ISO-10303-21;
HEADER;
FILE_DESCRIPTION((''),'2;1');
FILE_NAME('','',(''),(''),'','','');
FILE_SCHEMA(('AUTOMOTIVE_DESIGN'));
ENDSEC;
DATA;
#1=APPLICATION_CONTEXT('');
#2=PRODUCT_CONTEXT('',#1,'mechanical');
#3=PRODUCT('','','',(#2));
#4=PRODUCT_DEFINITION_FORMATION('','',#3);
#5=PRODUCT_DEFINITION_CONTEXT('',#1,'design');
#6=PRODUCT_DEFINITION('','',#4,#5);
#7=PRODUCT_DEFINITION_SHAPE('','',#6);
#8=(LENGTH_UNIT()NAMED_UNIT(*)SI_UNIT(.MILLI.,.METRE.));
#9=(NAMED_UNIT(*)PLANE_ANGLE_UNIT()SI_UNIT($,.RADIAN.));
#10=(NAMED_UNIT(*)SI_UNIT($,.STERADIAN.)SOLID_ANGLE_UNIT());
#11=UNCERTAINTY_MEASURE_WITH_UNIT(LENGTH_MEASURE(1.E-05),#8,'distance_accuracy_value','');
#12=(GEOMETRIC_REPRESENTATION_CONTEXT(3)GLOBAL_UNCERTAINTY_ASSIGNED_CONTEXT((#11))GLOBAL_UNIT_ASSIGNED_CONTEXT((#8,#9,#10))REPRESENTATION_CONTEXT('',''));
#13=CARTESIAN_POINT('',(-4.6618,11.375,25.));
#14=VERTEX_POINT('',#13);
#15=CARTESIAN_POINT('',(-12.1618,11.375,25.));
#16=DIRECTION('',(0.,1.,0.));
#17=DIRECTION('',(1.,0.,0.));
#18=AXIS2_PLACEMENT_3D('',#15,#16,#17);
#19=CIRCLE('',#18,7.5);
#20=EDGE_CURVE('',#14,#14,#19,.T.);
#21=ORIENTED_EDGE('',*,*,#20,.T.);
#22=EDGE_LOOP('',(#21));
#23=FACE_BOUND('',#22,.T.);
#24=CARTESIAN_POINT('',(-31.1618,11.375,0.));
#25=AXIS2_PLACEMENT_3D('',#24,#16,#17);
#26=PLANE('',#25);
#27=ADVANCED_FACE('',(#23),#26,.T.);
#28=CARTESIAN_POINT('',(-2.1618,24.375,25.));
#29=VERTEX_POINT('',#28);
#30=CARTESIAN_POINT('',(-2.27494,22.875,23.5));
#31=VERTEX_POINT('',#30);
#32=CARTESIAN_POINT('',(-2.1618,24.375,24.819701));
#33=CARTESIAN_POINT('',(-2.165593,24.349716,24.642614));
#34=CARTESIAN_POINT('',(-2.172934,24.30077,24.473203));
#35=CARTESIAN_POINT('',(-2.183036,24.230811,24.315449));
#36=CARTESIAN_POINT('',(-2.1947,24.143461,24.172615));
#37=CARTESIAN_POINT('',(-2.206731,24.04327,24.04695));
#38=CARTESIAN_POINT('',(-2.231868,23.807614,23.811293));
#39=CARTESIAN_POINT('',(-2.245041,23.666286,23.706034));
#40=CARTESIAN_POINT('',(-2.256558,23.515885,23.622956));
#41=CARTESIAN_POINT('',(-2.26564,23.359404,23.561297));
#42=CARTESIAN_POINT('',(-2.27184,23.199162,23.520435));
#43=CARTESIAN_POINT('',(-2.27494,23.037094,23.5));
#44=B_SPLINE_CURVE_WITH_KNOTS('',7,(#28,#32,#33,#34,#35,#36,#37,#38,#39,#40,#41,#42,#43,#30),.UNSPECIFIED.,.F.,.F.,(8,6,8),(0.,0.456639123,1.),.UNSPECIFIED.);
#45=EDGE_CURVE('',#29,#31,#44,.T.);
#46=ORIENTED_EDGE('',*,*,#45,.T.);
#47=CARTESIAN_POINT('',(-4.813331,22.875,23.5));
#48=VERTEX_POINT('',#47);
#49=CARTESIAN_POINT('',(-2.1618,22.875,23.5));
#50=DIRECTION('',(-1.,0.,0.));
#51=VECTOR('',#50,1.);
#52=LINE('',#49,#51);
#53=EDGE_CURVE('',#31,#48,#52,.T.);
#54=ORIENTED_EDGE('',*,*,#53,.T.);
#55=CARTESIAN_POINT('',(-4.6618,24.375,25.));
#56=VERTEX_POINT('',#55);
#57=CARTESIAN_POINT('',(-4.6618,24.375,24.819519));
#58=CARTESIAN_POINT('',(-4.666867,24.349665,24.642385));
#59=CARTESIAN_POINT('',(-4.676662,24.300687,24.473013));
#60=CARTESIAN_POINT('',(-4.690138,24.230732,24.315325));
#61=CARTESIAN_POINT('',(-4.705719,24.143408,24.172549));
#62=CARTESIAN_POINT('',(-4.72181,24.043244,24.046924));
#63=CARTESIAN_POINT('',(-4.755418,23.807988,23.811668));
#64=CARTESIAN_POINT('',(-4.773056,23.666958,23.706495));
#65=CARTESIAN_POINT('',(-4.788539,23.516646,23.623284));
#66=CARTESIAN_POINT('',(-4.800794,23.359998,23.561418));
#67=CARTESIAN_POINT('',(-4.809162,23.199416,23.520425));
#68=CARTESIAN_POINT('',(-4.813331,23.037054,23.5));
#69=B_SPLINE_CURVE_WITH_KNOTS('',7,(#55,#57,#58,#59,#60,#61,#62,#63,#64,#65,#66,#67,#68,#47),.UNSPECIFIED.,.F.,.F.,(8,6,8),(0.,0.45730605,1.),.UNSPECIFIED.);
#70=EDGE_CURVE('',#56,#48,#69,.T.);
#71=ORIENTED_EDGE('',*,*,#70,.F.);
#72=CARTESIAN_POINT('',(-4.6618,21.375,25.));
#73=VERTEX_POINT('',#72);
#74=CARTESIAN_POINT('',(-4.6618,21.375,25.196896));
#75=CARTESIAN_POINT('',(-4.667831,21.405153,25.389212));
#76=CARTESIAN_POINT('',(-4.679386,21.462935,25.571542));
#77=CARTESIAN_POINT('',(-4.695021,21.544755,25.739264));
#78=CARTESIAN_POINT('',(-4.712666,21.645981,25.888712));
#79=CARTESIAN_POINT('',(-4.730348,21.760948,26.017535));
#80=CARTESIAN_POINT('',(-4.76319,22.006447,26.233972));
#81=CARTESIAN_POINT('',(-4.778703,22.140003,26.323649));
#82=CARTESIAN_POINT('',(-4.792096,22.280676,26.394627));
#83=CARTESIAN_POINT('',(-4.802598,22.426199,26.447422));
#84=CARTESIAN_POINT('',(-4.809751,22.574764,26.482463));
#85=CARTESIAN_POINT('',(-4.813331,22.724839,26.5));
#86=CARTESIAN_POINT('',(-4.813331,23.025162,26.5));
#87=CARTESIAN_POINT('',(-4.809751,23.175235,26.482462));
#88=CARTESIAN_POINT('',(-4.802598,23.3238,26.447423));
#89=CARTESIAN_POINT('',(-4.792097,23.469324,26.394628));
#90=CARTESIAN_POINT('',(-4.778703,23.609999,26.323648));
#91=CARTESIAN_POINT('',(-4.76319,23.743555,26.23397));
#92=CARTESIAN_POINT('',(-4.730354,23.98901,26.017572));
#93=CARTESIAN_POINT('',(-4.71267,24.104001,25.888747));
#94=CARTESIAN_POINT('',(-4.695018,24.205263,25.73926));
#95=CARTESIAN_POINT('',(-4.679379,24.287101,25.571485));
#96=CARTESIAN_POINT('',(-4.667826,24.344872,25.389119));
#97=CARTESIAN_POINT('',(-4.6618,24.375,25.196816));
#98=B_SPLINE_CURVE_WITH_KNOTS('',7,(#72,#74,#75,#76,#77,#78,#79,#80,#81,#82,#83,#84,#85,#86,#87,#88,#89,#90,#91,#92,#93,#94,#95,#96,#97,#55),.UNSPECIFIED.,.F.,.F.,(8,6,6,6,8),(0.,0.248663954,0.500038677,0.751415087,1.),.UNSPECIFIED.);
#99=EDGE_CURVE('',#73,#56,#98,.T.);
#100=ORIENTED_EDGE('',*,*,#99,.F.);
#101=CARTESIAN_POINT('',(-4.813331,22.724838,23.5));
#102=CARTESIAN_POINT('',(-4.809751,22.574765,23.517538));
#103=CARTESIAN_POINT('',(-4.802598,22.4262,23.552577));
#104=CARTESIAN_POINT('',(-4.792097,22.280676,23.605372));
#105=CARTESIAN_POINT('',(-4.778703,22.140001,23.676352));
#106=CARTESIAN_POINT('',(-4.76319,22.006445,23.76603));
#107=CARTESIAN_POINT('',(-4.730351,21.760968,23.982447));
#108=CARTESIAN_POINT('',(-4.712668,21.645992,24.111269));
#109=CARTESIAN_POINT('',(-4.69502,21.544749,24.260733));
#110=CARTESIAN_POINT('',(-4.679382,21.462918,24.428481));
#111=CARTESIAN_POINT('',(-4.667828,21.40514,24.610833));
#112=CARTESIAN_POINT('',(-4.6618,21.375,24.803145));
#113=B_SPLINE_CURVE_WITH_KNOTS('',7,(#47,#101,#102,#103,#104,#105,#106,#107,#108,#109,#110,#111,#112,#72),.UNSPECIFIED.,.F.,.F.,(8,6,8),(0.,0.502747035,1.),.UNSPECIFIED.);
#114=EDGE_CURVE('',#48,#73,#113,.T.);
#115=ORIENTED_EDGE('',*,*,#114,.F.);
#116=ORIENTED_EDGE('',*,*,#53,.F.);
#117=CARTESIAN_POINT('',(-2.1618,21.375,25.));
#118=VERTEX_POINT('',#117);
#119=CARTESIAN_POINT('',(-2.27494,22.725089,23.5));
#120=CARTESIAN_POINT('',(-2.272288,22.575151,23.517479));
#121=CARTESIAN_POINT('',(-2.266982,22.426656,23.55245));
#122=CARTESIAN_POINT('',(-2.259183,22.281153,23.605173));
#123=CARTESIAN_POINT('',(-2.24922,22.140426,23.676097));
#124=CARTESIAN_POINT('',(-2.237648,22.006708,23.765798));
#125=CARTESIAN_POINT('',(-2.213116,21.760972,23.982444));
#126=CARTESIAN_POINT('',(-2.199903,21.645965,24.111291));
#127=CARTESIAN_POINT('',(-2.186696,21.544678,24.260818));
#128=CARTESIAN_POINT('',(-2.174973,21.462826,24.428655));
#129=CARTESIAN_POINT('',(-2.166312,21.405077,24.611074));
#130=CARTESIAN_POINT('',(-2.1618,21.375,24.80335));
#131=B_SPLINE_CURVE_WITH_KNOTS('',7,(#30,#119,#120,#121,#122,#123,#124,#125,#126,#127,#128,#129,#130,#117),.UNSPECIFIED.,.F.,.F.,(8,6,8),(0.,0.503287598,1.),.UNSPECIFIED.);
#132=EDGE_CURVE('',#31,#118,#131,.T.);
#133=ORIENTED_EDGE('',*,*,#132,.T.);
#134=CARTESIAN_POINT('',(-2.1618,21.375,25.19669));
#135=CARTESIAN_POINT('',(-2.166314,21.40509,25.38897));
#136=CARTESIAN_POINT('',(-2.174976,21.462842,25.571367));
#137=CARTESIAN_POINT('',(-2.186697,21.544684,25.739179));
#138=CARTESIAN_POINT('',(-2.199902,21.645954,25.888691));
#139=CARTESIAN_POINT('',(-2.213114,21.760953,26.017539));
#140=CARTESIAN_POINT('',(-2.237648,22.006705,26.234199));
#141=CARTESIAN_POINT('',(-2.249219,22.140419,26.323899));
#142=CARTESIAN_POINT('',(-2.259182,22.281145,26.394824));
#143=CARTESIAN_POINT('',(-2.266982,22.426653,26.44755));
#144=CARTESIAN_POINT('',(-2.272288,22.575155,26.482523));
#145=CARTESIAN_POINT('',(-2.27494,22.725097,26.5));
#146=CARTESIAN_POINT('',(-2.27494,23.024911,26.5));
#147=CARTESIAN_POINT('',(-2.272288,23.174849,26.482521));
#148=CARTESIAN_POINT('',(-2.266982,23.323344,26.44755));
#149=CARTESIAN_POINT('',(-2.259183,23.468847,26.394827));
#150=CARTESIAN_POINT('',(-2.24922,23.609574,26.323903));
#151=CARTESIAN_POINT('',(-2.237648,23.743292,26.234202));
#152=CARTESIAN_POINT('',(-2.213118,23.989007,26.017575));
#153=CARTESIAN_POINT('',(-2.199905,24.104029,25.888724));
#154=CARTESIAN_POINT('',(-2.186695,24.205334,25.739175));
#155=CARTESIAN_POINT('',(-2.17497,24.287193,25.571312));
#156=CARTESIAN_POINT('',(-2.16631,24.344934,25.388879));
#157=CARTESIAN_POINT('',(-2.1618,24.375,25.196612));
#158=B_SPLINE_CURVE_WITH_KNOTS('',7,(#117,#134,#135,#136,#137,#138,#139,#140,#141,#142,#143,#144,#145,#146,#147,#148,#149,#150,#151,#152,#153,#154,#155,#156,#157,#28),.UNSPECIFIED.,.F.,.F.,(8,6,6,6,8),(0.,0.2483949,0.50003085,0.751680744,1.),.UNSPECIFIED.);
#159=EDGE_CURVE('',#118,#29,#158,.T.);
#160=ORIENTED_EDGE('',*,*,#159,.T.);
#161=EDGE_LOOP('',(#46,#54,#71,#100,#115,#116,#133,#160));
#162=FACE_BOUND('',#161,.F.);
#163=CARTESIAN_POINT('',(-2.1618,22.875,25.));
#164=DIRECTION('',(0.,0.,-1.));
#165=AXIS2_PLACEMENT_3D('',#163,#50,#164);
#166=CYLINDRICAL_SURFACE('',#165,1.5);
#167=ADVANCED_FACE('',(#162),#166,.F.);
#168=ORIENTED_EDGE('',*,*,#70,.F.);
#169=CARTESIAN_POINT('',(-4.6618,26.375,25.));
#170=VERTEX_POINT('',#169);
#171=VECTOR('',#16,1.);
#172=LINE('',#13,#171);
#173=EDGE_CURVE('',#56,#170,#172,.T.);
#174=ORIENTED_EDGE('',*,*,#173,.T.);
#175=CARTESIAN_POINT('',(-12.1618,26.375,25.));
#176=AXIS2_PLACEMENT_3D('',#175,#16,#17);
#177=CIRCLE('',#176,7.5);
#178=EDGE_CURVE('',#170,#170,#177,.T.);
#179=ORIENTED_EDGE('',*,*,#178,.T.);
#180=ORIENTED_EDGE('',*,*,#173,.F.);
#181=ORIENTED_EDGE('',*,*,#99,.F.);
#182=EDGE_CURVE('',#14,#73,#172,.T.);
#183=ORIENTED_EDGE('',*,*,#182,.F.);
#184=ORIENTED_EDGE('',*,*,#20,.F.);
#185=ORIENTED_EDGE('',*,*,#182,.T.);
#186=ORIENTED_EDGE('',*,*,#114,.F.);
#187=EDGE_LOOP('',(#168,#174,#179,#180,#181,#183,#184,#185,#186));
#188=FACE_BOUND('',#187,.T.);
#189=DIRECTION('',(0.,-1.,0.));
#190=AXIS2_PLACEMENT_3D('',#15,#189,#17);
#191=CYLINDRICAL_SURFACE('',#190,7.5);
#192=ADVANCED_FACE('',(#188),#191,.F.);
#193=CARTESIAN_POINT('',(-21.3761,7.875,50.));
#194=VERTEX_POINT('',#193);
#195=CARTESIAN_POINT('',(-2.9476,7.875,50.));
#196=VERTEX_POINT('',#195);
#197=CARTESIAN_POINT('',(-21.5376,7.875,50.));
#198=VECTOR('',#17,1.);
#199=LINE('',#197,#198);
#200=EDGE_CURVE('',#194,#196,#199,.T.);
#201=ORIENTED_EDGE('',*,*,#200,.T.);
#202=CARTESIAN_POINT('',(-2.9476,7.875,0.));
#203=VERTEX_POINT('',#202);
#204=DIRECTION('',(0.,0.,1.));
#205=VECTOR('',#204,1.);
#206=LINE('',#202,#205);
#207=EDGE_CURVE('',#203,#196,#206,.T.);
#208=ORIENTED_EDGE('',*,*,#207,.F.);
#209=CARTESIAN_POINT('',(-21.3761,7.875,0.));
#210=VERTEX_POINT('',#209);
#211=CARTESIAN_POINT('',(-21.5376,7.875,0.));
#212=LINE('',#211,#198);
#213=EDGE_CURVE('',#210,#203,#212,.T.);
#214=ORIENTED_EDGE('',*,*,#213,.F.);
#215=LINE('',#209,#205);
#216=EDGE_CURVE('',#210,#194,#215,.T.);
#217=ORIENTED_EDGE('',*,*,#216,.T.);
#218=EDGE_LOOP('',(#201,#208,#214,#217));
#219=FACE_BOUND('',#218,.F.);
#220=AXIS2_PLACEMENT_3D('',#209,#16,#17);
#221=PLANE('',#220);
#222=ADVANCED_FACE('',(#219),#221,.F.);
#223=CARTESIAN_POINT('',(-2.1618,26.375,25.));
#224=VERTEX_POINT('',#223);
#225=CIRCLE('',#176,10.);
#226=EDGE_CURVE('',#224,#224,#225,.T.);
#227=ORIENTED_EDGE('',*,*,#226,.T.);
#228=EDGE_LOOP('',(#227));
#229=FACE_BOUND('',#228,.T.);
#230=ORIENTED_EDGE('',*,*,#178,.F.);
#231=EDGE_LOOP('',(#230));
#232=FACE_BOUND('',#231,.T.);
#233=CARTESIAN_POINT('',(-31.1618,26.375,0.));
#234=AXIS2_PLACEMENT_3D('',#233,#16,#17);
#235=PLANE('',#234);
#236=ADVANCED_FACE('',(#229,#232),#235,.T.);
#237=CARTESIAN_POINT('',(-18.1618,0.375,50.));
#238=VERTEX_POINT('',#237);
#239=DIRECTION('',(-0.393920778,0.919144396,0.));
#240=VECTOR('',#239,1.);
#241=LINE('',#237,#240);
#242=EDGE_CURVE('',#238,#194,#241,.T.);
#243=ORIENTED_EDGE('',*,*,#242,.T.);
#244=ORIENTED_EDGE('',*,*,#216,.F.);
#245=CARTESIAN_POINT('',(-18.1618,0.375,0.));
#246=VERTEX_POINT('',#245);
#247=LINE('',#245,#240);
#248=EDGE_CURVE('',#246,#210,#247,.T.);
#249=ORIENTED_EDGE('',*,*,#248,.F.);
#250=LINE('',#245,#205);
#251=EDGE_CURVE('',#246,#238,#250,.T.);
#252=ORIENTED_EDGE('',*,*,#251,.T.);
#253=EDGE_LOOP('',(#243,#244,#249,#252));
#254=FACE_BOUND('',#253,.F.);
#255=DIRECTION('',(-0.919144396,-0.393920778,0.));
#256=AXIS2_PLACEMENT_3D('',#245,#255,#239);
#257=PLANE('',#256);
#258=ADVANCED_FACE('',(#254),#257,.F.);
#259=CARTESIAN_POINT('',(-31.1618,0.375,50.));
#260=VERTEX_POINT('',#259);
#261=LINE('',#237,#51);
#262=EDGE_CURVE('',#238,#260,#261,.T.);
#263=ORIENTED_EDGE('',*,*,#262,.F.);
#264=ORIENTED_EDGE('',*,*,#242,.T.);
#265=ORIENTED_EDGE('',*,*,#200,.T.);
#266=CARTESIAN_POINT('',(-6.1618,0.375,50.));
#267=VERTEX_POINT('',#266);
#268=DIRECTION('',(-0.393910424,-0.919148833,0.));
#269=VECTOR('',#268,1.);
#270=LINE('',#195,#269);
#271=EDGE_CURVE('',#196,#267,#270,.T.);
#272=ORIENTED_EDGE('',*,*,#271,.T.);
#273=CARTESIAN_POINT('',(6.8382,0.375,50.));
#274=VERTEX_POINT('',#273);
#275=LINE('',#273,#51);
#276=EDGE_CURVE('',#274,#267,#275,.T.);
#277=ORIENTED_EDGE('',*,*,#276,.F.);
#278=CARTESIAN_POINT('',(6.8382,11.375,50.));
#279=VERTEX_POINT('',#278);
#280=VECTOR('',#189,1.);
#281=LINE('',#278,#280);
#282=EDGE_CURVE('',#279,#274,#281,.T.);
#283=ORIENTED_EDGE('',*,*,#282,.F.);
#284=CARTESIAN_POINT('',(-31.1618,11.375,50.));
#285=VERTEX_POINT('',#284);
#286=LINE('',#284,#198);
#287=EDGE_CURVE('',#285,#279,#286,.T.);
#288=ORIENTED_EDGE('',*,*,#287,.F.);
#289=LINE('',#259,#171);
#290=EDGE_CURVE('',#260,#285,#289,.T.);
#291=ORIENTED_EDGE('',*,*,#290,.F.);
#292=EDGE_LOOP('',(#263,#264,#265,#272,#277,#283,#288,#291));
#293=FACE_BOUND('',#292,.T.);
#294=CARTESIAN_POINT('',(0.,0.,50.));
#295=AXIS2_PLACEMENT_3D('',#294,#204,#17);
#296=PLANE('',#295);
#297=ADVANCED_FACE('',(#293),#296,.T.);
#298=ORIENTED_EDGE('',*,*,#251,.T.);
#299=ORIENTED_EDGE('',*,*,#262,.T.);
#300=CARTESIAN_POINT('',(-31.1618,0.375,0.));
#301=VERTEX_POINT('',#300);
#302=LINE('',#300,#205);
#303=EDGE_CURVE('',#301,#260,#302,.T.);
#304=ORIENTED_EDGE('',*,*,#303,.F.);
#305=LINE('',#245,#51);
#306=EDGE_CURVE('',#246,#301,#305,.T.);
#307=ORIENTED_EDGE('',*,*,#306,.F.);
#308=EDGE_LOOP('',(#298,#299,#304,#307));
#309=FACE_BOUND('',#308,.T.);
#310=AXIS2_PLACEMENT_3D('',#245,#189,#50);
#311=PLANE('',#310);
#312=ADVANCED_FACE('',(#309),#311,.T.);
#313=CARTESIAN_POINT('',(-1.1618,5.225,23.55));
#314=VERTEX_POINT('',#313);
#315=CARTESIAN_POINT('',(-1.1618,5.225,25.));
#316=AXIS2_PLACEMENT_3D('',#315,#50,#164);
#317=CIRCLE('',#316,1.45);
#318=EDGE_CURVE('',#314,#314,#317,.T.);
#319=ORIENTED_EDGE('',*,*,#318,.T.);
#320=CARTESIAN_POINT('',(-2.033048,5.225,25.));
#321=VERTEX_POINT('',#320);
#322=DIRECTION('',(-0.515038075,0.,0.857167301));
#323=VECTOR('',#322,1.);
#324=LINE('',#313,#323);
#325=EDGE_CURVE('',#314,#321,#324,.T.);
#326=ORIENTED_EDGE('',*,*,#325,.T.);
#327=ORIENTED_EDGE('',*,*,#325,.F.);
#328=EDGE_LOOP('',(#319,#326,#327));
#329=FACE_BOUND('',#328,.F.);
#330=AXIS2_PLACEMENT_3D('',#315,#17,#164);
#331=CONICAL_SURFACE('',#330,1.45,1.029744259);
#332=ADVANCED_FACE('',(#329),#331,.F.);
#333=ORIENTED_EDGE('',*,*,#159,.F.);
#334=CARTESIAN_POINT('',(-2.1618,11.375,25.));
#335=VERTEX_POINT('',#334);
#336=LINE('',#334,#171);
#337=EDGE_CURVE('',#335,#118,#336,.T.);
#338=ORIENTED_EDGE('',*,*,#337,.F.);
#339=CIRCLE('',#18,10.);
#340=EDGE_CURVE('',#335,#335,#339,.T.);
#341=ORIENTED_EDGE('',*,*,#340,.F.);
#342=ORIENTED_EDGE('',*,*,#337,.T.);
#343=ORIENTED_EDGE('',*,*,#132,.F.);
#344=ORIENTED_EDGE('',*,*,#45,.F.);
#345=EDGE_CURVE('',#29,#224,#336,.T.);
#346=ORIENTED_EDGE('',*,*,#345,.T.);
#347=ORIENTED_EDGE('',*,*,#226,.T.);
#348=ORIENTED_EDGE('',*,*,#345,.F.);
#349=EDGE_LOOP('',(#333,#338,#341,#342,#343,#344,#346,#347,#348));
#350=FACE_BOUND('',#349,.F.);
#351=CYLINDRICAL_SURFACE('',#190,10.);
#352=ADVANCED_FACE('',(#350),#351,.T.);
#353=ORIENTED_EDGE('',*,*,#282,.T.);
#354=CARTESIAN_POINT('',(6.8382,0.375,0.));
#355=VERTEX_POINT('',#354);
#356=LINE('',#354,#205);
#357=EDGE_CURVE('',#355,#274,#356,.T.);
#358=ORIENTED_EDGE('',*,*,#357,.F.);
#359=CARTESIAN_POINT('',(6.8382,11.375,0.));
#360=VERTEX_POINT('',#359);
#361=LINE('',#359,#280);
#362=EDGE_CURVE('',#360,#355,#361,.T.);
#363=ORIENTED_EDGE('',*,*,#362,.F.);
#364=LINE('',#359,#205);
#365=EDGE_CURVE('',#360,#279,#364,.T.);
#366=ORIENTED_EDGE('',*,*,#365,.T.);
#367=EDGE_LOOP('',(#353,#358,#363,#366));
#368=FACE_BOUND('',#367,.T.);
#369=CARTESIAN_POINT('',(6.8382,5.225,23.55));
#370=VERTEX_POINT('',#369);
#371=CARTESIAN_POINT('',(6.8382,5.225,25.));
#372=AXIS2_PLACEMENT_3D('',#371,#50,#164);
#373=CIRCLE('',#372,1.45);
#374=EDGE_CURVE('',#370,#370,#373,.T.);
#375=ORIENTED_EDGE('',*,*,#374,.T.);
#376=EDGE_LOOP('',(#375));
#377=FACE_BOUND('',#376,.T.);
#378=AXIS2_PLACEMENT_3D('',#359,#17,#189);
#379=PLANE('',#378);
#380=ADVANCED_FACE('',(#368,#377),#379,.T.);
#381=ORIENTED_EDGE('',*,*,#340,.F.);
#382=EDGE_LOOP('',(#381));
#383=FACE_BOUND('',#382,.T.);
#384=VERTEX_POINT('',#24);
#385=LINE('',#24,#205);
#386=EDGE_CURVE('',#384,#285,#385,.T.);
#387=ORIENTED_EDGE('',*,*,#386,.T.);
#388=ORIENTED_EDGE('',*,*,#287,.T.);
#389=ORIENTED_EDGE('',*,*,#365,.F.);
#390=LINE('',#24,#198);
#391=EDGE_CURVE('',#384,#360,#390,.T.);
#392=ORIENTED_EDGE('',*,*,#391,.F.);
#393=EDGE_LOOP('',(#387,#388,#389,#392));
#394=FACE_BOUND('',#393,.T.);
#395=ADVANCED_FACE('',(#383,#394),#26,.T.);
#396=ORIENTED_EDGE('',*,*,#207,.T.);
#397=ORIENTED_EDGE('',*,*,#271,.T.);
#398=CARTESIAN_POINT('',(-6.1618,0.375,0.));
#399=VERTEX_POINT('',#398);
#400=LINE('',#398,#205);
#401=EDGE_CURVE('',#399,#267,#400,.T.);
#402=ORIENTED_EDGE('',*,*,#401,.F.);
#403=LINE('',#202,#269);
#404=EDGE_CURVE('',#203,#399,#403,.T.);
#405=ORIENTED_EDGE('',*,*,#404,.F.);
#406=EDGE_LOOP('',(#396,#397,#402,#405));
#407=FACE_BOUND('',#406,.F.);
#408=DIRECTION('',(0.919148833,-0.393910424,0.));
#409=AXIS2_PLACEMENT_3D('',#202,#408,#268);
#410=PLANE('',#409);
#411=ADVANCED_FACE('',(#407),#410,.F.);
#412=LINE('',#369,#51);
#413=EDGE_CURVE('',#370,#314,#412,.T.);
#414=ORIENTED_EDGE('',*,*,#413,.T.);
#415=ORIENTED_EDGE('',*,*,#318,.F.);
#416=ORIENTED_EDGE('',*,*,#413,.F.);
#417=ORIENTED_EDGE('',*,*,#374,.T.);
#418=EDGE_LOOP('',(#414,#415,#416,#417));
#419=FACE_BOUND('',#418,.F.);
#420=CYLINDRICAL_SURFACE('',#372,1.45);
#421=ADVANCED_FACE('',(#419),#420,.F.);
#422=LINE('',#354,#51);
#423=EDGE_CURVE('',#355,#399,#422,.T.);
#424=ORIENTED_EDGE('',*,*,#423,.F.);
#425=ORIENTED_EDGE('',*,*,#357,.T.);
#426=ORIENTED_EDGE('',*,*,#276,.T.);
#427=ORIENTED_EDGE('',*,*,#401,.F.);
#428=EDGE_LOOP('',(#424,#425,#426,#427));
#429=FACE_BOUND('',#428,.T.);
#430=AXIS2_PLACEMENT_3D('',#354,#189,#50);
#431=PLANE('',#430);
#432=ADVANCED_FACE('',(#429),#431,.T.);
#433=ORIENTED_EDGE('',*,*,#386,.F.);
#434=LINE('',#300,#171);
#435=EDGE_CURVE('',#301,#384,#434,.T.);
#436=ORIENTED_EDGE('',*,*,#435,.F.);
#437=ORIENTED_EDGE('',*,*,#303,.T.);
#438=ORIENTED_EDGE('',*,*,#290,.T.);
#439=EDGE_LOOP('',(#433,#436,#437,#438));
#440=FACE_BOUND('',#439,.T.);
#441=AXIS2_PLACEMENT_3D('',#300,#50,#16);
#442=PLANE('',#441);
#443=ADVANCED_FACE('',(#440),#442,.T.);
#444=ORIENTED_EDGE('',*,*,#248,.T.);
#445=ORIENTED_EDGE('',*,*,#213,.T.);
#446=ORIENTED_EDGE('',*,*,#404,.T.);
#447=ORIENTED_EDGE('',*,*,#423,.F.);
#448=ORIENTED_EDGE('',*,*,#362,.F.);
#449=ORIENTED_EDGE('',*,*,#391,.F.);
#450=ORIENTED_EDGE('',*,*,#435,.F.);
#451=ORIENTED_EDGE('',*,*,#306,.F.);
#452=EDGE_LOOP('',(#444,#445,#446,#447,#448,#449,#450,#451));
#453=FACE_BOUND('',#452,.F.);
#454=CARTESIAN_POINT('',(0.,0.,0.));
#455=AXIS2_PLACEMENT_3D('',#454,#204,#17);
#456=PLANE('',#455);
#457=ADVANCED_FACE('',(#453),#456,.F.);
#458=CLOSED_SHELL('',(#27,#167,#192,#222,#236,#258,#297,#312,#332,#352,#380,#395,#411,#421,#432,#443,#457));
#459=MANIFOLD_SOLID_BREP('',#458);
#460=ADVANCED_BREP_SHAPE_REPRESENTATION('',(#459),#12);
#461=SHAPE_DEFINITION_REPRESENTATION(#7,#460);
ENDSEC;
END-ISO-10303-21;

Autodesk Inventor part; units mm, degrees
ref_plane "YZ Plane" through (0, 0, 0) normal (1, 0, 0) x (0, 1, 0)
ref_plane "XZ Plane" through (0, 0, 0) normal (0, 1, 0) x (-1, 0, 0)
ref_plane "XY Plane" through (0, 0, 0) normal (0, 0, 1) x (1, 0, 0)
sketch "Skizze1" plane through (0, 0, 0) normal (0, 0, 1) x (1, 0, 0)
  line L0 (-18.1618, 0.375) -> (-21.3761, 7.875)
  line L1 (-2.9476, 7.875) -> (-6.1618, 0.375)
  line L2 (-6.1618, 0.375) -> (-18.1618, 0.375)
  line L3 (-18.1618, 0.375) -> (-31.1618, 0.375)
  line L4 (-31.1618, 0.375) -> (-31.1618, 11.375)
  line L5 (-31.1618, 11.375) -> (6.8382, 11.375)
  line L6 (6.8382, 11.375) -> (6.8382, 0.375)
  line L7 (6.8382, 0.375) -> (-6.1618, 0.375)
  line L8 (-21.5376, 7.875) -> (-2.9476, 7.875)
  point P0 (0, 0)
  point P1 (-21.1618, 7.375)
  point P2 (-3.1618, 7.375)
  dimension "d10" = 38
  dimension "d14" = 12
  dimension "d29" = 13
extrude "Extrusion1" add sketch "Skizze1" along normal blind 50 contours L3 L4 L5 L6 L7 L1 L8 L0
sketch "Skizze2" plane through (6.8382, 0.375, 0) normal (1, 0, 0) x (0, 0, -1)
  line L0 (-50, 0) -> (-50, 11) projected
  line L1 (0, 11) -> (-50, 11) projected
  point P0 (0, -0.375)
  point P1 (-25, 4.85)
  dimension "d19" = 6.15
hole "Bohrung1" at (6.8382, 5.225, 25) direction (-1, 0, 0) diameter 2.9 depth 8 tip angle 118
sketch "Skizze3" plane through (-21.3761, 7.875, 0) normal (0, -1, 0) x (1, 0, 0)
  line L0 (0, 50) -> (18.4286, 50) projected
  line L1 (28.2143, 0) -> (28.2143, 50) projected
  point P0 (21.3761, 0)
sketch "Skizze5" plane through (-31.1618, 11.375, 0) normal (0, 1, 0) x (1, 0, 0)
  line L0 (0, 0) -> (0, -50) projected
  line L1 (38, 0) -> (0, 0) projected
  circle A0 centre (19, -25) radius 7.5
  circle A1 centre (19, -25) radius 10
  point P0 (31.1618, 0)
  dimension "d39" = 19
  dimension "d40" = 25
  dimension "d41" = 15
  dimension "d42" = 20
extrude "Extrusion2" add sketch "Skizze5" along normal blind 15
ref_plane "Arbeitsebene1" through (-2.1618, 11.375, 25) normal (-1, 0, 0) x (0, -1, 0)
sketch "Skizze6" plane through (-2.1618, 11.375, 25) normal (-1, 0, 0) x (0, -1, 0)
  line L0 (-15, 10) -> (-15, -10) projected
  point P0 (11.375, -25)
  point P1 (-11.5, 0)
  dimension "d45" = 3.5
hole "Bohrung3" at (-2.1618, 22.875, 25) direction (-1, 0, 0) diameter 3 depth 8 tip angle 118
properties part number "7.1 Schlitten"
